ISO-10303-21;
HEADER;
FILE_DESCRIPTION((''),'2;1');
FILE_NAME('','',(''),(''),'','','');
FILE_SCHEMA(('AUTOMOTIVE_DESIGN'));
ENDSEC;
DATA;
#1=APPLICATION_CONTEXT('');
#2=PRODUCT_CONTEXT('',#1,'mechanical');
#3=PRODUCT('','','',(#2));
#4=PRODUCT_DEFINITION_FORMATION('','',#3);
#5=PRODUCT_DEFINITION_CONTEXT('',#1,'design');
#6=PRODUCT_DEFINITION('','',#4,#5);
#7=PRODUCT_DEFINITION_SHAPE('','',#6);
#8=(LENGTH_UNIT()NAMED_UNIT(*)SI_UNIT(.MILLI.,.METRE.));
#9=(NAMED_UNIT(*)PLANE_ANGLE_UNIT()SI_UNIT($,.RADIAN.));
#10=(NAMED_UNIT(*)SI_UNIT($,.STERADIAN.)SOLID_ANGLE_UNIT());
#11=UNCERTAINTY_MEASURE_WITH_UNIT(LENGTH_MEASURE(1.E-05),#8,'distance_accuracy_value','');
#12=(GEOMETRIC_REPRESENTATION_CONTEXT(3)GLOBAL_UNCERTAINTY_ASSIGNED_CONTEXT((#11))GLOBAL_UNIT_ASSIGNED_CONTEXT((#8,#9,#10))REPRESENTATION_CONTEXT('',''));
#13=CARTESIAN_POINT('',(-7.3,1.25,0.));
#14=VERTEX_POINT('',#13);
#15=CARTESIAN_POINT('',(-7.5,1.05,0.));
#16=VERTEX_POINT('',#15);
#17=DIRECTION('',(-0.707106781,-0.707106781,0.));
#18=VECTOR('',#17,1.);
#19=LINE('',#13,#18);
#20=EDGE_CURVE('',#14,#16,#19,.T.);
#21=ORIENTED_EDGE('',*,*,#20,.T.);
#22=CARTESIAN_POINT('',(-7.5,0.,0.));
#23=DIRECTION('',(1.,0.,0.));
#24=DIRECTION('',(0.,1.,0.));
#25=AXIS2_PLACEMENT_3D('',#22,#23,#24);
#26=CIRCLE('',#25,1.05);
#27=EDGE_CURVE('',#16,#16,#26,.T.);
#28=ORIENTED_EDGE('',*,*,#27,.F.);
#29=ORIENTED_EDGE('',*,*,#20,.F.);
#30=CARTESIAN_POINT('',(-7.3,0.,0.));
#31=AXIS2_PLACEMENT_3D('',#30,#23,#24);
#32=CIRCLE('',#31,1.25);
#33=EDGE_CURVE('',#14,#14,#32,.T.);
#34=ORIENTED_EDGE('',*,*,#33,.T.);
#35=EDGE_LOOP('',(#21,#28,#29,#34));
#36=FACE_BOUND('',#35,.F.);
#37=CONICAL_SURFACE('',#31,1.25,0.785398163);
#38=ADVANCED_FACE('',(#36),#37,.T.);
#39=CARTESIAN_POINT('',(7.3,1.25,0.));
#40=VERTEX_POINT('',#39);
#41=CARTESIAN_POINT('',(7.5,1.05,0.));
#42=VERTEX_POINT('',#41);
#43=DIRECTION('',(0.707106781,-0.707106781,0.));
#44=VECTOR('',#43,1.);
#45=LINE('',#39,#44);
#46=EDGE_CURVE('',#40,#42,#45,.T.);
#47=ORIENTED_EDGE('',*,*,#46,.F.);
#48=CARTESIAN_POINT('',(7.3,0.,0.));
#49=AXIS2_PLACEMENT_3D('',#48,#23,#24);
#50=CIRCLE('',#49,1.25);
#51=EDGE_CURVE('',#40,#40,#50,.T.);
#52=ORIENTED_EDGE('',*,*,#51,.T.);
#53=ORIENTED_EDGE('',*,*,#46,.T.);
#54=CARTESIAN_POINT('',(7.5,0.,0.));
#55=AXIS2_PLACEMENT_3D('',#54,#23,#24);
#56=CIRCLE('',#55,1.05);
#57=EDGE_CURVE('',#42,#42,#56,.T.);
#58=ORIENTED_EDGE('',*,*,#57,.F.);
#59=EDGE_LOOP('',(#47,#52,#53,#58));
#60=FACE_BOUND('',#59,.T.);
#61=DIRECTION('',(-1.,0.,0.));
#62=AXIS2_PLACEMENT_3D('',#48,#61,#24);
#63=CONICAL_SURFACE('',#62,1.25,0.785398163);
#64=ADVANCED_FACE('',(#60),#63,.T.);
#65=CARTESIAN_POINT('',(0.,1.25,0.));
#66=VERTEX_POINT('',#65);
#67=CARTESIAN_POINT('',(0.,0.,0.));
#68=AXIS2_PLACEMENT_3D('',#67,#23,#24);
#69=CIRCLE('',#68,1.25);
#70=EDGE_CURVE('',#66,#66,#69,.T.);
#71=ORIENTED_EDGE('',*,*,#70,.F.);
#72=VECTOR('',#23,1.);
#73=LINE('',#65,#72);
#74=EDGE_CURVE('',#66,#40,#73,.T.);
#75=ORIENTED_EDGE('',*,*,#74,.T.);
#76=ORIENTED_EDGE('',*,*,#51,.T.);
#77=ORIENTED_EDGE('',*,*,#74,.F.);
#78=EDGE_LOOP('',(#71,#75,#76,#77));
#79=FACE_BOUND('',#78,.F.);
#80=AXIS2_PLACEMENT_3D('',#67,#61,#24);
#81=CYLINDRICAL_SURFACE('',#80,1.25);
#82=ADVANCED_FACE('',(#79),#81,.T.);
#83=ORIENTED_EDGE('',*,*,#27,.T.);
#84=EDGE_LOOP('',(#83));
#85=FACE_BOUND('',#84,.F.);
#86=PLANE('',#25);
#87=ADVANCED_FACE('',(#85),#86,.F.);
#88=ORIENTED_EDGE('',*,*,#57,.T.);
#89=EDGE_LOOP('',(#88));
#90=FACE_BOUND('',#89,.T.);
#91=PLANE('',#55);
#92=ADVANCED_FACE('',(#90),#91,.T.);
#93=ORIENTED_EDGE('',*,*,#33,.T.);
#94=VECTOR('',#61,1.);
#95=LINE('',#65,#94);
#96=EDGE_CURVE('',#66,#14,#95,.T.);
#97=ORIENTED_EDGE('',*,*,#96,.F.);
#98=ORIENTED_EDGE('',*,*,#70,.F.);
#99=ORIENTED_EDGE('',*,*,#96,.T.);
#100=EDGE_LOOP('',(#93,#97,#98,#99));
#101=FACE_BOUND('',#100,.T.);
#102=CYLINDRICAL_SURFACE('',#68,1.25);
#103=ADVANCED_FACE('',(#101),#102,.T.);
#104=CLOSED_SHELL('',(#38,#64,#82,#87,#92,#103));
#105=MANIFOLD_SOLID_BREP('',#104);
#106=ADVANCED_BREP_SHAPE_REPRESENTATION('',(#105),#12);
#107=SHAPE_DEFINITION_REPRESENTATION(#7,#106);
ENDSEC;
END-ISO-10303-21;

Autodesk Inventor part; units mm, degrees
ref_plane "YZ Plane" through (0, 0, 0) normal (1, 0, 0) x (0, 1, 0)
ref_plane "XZ Plane" through (0, 0, 0) normal (0, 1, 0) x (-1, 0, 0)
ref_plane "XY Plane" through (0, 0, 0) normal (0, 0, 1) x (1, 0, 0)
sketch "スケッチ1" plane through (0, 0, 0) normal (1, 0, 0) x (0, 1, 0)
  circle A0 centre (0, 0) radius 1.25
  dimension "d0" = 2.5
extrude "押し出し1" add sketch "スケッチ1" along normal mid plane 15
chamfer "面取り1" distance 0.2 angle 45 2 edges at (7.5, -1.25, 0) (-7.5, -1.25, 0)
properties part number "D2.5-L15"
